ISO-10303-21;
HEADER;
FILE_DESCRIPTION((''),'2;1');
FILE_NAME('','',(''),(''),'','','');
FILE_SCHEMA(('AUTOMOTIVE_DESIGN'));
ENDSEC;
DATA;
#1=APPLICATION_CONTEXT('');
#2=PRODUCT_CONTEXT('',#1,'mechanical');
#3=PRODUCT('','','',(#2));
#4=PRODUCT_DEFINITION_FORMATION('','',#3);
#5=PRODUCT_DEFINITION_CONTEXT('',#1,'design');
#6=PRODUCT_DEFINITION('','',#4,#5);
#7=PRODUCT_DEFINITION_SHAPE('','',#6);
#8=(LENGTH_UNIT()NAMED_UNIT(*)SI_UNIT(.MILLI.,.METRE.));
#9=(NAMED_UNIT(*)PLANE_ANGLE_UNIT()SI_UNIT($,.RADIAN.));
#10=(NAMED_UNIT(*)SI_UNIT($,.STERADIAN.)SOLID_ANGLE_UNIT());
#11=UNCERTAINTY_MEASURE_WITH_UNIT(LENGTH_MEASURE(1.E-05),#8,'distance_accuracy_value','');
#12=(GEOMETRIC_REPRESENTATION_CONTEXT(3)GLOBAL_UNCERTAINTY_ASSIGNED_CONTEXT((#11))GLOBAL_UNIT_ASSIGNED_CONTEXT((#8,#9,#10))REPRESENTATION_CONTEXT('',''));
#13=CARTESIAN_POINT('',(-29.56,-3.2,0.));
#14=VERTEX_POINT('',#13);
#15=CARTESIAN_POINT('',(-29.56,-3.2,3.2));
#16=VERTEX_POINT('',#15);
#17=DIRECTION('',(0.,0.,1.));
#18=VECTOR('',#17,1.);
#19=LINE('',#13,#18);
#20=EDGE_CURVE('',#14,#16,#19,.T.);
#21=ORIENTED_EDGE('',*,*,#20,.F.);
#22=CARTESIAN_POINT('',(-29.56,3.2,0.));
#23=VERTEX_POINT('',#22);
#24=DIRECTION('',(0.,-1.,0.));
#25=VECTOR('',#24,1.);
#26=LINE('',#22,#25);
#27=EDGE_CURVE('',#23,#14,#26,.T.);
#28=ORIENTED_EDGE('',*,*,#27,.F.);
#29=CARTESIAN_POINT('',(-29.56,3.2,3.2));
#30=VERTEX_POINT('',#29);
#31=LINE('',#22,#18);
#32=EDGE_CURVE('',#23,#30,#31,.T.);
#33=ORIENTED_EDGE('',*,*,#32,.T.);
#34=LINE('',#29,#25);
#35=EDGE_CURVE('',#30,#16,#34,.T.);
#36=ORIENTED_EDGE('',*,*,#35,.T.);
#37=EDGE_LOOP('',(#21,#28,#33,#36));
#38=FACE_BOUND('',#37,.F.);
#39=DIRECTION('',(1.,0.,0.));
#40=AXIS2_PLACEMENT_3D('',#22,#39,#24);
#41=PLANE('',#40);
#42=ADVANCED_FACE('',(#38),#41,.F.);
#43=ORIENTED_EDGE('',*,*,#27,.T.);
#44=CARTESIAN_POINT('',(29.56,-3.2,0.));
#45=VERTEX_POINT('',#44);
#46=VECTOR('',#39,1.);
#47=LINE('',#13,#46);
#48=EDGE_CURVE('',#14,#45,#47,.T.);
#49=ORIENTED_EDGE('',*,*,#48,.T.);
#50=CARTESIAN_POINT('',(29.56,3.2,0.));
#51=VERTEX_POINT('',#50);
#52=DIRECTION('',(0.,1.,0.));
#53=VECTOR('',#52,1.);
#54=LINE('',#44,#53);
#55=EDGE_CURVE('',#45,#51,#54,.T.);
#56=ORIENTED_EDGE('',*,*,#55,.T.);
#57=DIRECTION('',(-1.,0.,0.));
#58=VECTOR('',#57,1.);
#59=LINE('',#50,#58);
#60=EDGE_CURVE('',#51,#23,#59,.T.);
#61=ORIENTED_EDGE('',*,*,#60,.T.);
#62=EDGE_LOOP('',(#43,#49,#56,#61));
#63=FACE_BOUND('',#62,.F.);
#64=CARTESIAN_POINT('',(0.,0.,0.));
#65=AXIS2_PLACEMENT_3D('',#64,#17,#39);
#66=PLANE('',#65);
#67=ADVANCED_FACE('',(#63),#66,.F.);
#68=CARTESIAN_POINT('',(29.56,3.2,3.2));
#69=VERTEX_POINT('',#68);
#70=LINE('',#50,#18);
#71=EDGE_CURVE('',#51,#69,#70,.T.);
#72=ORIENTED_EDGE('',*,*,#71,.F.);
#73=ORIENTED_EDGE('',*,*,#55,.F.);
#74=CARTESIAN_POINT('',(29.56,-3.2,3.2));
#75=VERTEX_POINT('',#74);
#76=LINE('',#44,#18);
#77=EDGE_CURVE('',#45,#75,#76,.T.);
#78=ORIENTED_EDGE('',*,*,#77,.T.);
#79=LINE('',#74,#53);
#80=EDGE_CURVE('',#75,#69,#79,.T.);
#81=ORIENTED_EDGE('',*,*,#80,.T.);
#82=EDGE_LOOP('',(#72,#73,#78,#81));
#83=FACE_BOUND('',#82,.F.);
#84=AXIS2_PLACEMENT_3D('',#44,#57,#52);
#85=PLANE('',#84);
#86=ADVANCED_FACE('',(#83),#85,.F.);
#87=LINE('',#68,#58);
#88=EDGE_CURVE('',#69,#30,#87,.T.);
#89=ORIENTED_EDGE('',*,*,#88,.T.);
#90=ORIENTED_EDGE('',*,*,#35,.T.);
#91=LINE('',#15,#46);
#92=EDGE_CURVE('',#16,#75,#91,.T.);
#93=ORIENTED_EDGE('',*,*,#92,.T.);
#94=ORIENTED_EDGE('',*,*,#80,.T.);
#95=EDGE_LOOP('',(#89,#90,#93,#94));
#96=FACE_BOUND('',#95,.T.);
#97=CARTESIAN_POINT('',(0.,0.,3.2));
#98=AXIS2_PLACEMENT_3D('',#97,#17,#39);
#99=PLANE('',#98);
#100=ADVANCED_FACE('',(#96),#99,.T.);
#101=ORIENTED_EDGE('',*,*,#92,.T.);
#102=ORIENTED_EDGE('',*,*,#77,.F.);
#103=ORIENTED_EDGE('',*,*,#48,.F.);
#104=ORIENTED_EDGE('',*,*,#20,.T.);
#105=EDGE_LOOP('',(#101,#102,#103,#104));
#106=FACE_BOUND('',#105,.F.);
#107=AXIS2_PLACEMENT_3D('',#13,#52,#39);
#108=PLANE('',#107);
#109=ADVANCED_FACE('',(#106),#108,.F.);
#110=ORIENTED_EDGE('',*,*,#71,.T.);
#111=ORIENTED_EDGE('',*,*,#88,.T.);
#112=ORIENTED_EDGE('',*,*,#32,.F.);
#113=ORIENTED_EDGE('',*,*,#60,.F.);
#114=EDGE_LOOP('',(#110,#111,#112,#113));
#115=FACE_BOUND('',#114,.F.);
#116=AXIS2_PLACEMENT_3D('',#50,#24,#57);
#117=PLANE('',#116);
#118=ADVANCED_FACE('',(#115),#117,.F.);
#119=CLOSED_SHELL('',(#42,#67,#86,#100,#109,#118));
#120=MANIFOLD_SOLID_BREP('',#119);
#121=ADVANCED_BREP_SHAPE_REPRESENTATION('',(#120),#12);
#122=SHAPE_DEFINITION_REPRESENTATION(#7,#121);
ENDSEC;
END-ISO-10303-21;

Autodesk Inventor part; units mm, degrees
ref_plane "YZ Plane" through (0, 0, 0) normal (1, 0, 0) x (0, 1, 0)
ref_plane "XZ Plane" through (0, 0, 0) normal (0, 1, 0) x (-1, 0, 0)
ref_plane "XY Plane" through (0, 0, 0) normal (0, 0, 1) x (1, 0, 0)
sketch "Sketch1" plane through (0, 0, 0) normal (0, 0, 1) x (1, 0, 0)
  line L0 (-29.56, -3.2) -> (29.56, -3.2)
  line L1 (29.56, -3.2) -> (29.56, 3.2)
  line L2 (29.56, 3.2) -> (-29.56, 3.2)
  line L3 (-29.56, 3.2) -> (-29.56, -3.2)
  line L4 (-29.56, -3.2) -> (29.56, 3.2) construction
  line L5 (29.56, -3.2) -> (-29.56, 3.2) construction
  point P0 (0, 0)
  dimension "d0" = 59.12
  dimension "d1" = 6.4
extrude "Extrusion1" add sketch "Sketch1" along normal blind 3.2
properties part number "Decal"
